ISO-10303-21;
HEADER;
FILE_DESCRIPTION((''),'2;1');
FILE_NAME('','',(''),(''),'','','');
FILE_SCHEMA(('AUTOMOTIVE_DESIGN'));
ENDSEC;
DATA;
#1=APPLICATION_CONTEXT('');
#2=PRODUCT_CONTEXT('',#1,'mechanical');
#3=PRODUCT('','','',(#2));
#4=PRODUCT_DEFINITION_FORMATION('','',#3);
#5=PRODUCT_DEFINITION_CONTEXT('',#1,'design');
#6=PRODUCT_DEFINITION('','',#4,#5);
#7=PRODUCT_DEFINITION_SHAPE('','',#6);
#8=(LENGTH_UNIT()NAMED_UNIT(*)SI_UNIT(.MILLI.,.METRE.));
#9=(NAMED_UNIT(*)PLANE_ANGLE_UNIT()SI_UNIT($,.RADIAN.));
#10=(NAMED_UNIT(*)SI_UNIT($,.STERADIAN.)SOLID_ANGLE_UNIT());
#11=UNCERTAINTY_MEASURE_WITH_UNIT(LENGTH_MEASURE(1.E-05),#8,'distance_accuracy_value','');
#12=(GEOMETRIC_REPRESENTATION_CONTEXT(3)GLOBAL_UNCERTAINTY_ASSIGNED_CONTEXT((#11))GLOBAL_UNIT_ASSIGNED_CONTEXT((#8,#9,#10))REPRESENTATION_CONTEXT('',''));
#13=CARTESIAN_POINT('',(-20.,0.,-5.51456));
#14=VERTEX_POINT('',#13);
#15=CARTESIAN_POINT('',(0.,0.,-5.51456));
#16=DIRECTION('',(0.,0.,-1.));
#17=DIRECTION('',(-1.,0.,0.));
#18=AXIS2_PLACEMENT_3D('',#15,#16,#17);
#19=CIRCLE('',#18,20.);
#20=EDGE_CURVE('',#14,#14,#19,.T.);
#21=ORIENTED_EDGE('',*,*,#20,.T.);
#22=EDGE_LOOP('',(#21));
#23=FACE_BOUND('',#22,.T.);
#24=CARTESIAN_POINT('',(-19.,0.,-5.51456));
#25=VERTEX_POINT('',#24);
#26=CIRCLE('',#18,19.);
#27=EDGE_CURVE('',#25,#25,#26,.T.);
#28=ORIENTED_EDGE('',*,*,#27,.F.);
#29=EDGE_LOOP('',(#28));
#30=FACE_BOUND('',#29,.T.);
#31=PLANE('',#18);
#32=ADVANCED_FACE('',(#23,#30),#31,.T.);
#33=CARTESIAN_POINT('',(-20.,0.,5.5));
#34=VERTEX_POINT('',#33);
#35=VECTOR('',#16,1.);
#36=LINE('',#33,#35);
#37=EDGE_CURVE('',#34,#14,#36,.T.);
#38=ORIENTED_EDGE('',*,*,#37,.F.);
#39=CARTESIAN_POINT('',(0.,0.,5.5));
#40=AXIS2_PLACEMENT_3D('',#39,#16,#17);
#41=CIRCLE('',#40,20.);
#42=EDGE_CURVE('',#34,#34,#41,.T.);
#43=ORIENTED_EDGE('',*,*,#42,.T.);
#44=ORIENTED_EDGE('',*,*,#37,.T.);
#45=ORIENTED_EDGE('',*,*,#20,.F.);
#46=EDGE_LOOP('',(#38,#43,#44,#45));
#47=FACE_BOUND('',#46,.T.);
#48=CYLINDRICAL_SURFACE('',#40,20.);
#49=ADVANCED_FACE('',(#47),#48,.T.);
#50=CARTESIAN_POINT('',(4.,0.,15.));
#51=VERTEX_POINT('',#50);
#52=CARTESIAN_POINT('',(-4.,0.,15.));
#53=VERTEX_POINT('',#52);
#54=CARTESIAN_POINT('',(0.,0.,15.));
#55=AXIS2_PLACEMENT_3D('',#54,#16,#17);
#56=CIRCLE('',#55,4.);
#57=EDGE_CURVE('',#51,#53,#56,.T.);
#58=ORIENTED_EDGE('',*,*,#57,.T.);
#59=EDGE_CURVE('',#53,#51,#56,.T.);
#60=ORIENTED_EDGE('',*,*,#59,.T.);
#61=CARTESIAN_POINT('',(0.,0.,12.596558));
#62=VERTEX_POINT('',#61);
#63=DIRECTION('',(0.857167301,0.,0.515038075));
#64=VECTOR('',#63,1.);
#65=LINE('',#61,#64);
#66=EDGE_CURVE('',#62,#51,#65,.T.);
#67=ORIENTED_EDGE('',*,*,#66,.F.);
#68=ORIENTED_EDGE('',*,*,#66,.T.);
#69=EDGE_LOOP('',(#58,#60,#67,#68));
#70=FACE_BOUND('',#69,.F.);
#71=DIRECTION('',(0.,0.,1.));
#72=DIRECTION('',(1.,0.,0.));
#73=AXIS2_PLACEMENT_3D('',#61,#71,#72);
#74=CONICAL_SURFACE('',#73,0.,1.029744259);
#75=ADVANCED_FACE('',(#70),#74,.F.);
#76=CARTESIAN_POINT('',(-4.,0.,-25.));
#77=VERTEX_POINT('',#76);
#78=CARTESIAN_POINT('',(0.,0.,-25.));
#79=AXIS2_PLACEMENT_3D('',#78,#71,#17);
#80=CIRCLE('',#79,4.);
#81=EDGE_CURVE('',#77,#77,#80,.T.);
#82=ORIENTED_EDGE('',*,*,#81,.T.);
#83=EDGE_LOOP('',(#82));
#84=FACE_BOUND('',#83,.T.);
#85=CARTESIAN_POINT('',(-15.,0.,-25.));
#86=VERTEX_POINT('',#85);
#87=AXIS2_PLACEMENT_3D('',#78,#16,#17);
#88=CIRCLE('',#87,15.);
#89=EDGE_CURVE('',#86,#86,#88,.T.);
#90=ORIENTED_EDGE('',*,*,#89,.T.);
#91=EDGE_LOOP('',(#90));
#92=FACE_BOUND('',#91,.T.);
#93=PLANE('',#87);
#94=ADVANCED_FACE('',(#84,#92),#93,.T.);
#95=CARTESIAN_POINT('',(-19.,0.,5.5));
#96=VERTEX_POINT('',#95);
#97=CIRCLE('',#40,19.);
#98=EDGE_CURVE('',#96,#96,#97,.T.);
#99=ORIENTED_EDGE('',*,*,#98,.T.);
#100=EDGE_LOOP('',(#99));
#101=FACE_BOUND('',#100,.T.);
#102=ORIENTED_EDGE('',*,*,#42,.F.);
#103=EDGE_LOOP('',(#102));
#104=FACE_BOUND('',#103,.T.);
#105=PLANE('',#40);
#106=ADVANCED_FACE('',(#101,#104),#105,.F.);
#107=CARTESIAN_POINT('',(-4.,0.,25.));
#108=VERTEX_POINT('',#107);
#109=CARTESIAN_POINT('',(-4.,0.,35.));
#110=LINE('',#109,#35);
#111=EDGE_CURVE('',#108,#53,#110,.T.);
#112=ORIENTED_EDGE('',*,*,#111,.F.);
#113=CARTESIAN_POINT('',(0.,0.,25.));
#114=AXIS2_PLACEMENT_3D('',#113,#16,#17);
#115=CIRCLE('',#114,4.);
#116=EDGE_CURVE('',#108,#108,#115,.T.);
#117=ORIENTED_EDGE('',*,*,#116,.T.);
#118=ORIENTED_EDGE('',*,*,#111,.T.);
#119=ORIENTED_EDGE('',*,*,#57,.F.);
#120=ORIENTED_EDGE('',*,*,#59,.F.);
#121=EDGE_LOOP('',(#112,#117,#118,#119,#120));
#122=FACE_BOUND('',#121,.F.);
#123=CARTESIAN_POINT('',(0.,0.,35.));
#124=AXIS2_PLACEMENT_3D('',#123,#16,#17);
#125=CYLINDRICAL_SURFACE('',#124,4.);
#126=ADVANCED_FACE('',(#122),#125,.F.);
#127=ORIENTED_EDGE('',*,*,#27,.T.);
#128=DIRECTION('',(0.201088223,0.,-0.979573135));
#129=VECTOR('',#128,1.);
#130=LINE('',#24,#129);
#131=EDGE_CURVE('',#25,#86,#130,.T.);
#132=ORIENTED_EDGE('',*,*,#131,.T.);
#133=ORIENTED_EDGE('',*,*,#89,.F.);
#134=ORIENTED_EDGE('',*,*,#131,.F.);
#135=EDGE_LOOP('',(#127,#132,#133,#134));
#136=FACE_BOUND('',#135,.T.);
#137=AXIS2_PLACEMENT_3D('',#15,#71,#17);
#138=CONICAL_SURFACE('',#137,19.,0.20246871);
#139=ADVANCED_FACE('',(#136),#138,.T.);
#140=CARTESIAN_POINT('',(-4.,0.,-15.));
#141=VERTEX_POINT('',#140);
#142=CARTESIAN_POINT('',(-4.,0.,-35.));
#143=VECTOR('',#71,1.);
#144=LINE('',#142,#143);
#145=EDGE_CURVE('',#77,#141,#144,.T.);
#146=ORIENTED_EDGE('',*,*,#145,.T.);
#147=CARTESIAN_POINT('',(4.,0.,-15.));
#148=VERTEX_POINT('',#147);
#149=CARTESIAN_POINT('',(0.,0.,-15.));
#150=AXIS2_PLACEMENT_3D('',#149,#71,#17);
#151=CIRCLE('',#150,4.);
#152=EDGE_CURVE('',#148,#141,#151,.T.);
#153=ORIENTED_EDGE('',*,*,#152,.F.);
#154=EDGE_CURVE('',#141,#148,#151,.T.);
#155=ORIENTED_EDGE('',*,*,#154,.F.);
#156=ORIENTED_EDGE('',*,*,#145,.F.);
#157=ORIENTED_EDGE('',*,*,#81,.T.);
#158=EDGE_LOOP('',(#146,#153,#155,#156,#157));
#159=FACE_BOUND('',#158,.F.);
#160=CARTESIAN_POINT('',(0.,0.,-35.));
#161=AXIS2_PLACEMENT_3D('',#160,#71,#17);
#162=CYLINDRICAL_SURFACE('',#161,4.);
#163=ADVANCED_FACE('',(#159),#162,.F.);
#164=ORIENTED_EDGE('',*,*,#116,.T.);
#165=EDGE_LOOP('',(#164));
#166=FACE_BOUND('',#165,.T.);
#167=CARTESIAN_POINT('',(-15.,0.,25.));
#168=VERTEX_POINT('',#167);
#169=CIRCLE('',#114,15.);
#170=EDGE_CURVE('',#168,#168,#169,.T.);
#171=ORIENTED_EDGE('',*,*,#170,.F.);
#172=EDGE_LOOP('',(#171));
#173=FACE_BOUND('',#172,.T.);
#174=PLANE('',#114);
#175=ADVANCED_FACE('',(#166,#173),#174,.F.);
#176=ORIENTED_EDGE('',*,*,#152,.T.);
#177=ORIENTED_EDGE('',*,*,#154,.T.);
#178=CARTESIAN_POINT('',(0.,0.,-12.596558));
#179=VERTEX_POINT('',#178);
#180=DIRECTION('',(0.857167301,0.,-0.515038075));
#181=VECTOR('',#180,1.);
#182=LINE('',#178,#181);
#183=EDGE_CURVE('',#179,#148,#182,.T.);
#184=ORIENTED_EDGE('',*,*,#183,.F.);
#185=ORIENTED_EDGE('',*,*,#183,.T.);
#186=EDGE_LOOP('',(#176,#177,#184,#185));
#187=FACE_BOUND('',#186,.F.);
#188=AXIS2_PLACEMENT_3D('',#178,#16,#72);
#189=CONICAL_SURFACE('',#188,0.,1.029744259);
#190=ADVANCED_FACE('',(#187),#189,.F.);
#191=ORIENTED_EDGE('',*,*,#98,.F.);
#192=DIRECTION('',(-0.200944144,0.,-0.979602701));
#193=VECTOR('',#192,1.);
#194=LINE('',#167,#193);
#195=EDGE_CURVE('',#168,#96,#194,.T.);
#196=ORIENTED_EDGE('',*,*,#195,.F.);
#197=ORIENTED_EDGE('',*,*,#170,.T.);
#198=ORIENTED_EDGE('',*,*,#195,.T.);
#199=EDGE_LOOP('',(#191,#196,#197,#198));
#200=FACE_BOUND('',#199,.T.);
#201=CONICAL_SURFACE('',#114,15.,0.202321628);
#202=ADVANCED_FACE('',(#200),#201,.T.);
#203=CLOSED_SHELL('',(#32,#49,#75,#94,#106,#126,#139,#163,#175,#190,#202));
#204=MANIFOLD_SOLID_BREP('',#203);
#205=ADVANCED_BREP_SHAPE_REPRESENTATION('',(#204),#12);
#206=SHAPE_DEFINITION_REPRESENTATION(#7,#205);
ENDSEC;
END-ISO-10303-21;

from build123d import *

# Parameters (mm, degrees)
F4_D           = 8
F4_DEPTH       = 10
F4_TIP         = 2.4034424761
F4_ON_F2_D     = 8
F4_ON_F2_DEPTH = 10
F4_ON_F2_TIP   = 2.4034424761


with BuildPart() as f1:
    # F0 (on Front) → F1 (revolve)
    with BuildSketch(Plane.XZ):
        Polygon((0, -25), (0, 25), (-15, 25), (-19, 5.5), (-20, 5.5), (-20, 0), (-20, -5.5), (-20, -5.5145598017), (-19, -5.5145598017), (-15, -25), align=None)
    revolve(axis=Axis((0, 0, 0), (0, 0, -1)))

    # F4
    with Locations(Plane(origin=(0, 0, -25), x_dir=(1, 0, 0), z_dir=(0, 0, -1))):
        with Locations((0, 0)):
            Hole(F4_D / 2, depth=F4_DEPTH)
            with Locations((0, 0, -(F4_DEPTH + F4_TIP / 2))):  # 118° drill point
                Cone(0, F4_D / 2, F4_TIP, mode=Mode.SUBTRACT)

    # F4 on F2
    with Locations(Plane.XY.offset(25)):
        with Locations((0, 0)):
            Hole(F4_ON_F2_D / 2, depth=F4_ON_F2_DEPTH)
            with Locations((0, 0, -(F4_ON_F2_DEPTH + F4_ON_F2_TIP / 2))):  # 118° drill point
                Cone(0, F4_ON_F2_D / 2, F4_ON_F2_TIP, mode=Mode.SUBTRACT)


solid = f1.part
